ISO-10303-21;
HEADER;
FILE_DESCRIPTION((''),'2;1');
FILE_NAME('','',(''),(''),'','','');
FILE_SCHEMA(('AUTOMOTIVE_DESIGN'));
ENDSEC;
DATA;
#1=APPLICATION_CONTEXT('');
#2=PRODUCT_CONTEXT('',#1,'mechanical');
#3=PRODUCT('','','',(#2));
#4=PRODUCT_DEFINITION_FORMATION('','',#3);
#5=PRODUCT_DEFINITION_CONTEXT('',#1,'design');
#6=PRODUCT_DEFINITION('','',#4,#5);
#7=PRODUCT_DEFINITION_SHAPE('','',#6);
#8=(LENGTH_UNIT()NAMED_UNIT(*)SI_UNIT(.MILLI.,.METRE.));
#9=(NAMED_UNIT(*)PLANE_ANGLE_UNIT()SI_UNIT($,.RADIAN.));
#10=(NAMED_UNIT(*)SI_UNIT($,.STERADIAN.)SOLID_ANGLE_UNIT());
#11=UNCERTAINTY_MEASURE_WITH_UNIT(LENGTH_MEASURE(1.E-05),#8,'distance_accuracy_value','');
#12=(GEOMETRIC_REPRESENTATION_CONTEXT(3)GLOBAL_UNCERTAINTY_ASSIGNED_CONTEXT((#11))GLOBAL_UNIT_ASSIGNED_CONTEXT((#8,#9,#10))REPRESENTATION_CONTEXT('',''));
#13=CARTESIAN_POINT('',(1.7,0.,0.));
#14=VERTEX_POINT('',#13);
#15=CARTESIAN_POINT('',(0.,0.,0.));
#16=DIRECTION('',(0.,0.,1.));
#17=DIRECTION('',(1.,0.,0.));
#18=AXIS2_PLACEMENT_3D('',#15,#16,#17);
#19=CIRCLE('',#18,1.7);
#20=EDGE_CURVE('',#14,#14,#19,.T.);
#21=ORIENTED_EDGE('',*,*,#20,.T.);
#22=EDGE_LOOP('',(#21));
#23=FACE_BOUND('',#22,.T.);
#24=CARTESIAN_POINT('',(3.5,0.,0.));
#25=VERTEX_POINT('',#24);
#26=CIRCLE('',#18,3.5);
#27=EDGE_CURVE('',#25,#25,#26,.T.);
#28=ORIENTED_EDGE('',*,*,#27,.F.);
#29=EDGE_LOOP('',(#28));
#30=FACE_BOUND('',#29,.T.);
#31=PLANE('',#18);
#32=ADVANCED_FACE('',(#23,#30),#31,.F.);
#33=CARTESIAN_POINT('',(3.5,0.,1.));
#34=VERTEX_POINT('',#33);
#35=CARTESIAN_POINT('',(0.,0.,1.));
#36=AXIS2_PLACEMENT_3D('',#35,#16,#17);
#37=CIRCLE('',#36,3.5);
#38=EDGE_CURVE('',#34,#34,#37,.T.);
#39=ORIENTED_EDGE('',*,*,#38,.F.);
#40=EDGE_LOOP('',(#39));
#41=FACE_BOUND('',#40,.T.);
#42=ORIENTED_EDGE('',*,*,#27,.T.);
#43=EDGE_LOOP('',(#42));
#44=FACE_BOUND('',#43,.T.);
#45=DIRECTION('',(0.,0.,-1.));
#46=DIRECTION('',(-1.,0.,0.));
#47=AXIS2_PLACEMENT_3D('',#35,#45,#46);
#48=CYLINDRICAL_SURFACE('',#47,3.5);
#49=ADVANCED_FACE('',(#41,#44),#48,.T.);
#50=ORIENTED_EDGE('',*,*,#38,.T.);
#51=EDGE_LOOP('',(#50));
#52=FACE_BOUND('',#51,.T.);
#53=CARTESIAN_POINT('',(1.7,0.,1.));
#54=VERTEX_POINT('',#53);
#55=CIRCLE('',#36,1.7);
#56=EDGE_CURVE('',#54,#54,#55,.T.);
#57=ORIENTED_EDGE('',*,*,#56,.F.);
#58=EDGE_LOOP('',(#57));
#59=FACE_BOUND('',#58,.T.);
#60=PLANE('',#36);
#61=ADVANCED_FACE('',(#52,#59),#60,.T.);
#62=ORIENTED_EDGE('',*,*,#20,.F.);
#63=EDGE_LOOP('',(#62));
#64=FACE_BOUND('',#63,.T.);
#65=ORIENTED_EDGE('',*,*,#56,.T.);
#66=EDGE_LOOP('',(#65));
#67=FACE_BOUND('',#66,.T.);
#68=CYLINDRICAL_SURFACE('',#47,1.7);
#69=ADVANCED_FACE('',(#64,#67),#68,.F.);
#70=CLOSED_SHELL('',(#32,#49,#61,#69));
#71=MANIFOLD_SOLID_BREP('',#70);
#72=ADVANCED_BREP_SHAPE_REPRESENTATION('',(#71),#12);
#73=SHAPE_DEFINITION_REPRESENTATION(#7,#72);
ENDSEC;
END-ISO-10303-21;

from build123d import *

# Parameters (mm, degrees)
SKETCH_1_R            = 3.5
EXTRUDE_246_DEPTH     = 1
SKETCH_2_R            = 1.7
CUT_EXTRUDE_315_DEPTH = 1


with BuildPart() as part:
    # 草图1 → Extrude 246 (new body)
    with BuildSketch(Plane.XY):
        Circle(SKETCH_1_R)
    extrude(amount=EXTRUDE_246_DEPTH)

    # 草图2 → Cut-Extrude 315 (cut)
    with BuildSketch(Plane.XY):
        Circle(SKETCH_2_R)
    extrude(amount=CUT_EXTRUDE_315_DEPTH, mode=Mode.SUBTRACT)


solid = part.part
